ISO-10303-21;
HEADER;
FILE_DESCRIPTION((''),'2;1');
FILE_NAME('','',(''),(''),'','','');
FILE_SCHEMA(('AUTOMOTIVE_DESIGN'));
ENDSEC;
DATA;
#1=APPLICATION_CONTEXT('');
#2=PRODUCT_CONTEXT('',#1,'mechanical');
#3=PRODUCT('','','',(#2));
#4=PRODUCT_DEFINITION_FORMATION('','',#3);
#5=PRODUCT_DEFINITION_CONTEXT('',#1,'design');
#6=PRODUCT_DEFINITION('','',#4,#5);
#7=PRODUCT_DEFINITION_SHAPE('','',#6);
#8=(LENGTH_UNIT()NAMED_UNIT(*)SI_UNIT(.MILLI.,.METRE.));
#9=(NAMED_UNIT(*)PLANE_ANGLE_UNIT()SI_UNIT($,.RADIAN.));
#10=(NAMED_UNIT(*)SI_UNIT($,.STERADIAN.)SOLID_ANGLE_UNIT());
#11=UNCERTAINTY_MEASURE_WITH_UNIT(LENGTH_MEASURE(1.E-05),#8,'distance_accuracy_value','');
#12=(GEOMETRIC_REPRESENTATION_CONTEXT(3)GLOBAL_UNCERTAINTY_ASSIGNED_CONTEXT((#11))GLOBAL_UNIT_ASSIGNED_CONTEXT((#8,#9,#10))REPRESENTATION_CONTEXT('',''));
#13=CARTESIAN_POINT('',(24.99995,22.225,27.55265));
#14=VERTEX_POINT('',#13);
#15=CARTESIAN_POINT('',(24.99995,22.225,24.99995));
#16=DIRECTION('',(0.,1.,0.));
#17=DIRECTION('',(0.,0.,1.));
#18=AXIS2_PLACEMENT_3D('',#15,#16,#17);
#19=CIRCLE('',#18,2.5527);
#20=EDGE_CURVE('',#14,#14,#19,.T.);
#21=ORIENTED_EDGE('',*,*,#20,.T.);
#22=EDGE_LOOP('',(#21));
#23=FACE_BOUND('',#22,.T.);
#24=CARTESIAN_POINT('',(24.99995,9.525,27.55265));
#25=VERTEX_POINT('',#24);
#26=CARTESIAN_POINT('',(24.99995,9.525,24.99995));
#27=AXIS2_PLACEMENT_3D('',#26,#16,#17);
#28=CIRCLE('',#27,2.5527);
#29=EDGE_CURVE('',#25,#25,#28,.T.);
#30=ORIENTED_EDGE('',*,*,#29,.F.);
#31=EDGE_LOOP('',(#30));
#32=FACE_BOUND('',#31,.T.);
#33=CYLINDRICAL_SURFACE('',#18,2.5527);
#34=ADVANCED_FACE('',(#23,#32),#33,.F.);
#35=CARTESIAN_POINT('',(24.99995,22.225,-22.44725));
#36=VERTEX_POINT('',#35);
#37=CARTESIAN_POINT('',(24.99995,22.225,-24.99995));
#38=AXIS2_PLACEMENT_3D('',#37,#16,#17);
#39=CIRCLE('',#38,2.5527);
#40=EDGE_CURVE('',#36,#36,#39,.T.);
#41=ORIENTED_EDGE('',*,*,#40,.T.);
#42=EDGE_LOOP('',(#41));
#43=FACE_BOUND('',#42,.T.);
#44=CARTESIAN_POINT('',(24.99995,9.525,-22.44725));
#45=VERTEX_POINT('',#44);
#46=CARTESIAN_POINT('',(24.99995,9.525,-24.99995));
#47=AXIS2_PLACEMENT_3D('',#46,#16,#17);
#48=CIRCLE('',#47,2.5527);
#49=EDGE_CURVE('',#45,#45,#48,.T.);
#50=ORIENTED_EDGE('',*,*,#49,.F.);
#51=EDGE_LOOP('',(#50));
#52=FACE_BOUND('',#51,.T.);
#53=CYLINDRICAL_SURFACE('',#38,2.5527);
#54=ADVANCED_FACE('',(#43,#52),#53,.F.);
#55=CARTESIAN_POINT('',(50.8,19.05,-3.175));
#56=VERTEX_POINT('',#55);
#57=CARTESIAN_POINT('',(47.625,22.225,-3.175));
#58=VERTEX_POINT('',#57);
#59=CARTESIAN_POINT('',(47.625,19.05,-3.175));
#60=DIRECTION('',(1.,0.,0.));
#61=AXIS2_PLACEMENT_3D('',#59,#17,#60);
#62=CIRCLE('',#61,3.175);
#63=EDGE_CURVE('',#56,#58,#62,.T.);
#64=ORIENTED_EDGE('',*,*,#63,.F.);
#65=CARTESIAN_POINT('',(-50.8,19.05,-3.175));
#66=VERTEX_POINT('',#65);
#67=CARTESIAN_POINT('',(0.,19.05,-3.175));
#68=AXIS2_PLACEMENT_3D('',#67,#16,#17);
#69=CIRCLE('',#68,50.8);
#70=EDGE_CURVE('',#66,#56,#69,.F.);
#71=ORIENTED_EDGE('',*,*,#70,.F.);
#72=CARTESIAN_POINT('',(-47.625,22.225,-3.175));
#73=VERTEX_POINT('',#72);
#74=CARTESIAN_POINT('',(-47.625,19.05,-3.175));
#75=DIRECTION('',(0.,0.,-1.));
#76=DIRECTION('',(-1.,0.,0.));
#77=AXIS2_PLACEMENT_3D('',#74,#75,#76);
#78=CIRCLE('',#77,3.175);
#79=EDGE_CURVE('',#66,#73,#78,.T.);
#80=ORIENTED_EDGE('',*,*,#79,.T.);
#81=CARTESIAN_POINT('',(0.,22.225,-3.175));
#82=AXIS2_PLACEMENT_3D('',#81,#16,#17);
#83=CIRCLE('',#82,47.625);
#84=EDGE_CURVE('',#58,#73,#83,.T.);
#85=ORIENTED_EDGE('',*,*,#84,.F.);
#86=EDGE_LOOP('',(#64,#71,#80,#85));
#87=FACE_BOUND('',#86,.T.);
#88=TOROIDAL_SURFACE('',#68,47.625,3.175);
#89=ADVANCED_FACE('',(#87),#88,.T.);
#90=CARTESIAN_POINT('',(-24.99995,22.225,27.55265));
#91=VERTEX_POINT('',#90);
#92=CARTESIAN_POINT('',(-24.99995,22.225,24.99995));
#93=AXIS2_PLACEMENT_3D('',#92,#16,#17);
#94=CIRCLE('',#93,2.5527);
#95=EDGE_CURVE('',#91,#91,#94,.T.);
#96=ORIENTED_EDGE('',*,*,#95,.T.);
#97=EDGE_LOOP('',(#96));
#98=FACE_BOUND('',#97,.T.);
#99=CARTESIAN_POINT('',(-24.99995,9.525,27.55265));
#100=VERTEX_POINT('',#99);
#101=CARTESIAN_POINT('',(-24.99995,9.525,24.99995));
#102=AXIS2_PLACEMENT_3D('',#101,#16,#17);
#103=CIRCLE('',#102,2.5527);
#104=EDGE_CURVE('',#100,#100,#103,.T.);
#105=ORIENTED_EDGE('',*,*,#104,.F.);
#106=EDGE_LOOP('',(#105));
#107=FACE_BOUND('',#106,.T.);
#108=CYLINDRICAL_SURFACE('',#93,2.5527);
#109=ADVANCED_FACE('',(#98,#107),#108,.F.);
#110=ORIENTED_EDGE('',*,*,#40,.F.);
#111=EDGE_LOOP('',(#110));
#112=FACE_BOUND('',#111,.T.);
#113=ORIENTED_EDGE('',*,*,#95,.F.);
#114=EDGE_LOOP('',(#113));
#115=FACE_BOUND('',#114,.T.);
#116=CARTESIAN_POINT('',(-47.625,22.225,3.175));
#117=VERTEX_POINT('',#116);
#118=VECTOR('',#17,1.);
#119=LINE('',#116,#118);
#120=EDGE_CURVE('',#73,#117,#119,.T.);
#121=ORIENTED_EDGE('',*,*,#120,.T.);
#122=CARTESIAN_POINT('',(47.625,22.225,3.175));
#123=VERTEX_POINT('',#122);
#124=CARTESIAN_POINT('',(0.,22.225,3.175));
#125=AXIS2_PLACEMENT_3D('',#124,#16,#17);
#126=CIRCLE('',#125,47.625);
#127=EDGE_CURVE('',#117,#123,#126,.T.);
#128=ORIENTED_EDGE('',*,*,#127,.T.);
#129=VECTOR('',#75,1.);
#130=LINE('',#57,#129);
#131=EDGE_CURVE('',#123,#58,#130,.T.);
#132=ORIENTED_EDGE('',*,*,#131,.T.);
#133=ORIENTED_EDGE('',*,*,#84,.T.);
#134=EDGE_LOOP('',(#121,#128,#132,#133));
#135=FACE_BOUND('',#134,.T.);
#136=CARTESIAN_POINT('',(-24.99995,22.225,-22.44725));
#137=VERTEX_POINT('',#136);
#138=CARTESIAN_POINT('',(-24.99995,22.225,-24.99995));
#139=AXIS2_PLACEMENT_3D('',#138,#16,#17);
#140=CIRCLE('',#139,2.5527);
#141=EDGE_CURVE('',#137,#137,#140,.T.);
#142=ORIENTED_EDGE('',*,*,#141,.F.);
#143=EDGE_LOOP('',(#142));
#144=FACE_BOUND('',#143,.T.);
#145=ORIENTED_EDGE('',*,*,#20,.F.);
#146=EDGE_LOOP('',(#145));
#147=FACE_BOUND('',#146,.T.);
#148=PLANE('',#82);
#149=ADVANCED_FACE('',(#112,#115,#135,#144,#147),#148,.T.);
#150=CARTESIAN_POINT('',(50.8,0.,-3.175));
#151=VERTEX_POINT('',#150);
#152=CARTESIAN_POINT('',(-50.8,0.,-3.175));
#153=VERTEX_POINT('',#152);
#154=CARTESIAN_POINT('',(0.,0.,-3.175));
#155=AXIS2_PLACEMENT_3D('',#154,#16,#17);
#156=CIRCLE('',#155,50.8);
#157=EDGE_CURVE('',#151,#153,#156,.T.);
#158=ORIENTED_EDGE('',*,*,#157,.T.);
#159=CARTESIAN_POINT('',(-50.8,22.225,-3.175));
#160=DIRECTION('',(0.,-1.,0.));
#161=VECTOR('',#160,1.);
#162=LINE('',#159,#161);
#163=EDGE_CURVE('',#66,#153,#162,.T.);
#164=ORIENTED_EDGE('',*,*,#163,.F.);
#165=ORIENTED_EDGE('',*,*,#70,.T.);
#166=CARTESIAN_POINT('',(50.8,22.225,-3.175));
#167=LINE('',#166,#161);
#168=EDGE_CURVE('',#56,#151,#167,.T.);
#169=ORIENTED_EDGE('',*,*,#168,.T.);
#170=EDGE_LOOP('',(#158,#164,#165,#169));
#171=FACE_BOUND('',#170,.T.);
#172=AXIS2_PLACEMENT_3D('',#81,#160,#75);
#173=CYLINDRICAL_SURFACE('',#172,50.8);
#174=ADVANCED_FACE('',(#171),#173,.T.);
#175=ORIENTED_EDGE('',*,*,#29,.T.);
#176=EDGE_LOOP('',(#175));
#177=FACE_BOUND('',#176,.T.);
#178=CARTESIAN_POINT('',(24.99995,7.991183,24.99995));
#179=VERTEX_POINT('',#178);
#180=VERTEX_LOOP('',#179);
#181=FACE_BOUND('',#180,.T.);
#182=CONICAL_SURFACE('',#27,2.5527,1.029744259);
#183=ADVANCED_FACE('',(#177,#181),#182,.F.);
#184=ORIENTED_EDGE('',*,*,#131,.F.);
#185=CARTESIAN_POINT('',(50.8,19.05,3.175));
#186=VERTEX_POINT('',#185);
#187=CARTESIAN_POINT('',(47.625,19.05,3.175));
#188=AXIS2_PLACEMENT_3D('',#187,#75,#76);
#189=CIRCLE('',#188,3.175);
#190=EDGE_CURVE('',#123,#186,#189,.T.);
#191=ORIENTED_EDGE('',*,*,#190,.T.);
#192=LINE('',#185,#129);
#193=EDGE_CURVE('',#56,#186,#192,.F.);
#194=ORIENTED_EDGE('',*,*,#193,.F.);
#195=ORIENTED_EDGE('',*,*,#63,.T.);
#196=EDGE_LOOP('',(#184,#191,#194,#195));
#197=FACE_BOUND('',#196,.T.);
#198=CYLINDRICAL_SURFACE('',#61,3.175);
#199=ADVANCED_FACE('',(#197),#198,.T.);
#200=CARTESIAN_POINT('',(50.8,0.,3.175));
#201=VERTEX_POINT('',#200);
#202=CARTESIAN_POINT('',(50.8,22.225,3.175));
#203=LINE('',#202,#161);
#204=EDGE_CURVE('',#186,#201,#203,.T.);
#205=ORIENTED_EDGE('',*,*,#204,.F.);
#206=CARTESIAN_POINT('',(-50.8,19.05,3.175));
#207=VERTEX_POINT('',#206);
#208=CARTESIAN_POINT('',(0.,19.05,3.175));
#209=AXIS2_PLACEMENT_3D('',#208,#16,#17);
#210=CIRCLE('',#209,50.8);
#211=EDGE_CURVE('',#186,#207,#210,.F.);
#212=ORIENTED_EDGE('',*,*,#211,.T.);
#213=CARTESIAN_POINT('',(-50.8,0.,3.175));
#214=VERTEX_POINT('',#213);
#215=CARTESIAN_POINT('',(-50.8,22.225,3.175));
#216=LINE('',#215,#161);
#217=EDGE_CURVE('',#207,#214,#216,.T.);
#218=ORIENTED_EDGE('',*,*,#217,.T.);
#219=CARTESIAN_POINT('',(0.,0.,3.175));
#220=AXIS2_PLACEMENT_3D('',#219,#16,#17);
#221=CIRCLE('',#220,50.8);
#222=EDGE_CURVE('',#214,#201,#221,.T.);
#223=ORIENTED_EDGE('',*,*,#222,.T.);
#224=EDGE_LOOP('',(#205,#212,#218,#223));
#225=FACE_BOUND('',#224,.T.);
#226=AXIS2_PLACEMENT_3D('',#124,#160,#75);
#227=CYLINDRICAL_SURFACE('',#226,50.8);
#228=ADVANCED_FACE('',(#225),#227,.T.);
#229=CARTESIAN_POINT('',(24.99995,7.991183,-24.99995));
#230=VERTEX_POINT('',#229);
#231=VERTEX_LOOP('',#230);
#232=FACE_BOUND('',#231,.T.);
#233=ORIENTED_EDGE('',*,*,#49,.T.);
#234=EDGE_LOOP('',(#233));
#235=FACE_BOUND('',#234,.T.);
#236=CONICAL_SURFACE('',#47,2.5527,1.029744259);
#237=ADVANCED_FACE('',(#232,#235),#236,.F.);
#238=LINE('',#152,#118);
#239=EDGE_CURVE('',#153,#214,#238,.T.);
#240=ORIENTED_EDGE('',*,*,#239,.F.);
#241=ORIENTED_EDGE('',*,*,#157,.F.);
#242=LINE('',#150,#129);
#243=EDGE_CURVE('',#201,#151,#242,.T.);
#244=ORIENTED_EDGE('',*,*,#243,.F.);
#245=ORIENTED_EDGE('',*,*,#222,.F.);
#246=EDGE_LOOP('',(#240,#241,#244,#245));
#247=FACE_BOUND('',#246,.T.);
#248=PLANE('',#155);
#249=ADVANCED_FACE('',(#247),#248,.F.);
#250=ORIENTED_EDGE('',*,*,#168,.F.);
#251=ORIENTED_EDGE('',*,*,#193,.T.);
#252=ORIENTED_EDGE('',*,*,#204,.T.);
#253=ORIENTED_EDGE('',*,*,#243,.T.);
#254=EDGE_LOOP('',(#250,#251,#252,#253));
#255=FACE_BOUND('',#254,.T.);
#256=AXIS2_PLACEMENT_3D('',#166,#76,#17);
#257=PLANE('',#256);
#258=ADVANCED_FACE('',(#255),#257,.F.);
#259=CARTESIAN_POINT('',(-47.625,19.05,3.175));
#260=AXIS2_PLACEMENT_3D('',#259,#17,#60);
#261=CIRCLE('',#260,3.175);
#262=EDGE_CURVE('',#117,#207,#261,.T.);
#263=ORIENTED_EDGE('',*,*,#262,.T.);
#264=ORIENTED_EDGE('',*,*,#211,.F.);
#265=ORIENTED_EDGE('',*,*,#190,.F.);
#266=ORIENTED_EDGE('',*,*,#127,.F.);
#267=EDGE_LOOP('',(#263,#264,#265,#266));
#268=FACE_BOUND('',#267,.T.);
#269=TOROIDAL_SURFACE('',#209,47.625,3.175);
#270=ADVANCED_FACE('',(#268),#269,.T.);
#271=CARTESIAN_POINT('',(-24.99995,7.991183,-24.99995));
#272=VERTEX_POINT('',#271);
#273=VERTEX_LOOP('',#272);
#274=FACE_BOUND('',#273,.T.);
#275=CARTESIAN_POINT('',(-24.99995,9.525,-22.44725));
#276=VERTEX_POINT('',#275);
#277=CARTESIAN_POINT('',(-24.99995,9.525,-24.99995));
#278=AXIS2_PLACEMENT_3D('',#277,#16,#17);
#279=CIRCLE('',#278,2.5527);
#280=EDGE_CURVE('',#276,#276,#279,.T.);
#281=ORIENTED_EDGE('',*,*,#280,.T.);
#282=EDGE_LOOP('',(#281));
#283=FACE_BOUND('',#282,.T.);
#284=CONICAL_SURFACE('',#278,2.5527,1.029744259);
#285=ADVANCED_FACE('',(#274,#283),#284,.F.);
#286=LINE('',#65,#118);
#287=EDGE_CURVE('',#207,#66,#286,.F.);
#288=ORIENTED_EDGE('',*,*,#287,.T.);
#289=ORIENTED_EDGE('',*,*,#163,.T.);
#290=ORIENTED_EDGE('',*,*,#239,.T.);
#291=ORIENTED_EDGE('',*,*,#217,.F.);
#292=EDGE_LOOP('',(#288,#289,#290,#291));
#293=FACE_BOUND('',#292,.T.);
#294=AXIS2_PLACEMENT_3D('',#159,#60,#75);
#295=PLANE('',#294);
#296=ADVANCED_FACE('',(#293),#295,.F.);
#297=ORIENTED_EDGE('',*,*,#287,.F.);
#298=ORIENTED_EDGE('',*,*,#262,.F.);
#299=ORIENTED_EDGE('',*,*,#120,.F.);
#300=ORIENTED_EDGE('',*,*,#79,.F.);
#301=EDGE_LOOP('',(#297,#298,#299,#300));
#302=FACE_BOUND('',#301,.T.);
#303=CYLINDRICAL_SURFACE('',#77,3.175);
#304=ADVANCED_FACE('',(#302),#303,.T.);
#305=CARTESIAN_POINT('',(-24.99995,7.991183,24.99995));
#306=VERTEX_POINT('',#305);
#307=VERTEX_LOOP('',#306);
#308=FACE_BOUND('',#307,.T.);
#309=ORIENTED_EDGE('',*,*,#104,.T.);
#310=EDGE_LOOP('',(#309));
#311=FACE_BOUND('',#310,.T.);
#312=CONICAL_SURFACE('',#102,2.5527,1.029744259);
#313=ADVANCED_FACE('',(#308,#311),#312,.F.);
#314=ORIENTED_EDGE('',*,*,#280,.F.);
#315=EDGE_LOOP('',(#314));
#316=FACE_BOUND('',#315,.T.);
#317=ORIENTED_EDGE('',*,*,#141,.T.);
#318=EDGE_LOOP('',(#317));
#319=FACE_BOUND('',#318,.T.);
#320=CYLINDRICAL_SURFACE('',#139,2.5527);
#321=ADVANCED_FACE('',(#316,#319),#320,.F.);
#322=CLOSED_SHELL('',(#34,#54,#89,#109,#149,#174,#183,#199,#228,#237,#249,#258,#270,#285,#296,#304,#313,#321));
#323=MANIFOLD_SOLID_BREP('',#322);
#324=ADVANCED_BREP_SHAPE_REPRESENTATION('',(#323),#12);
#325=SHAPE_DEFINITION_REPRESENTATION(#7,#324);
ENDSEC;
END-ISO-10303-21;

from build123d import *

# Parameters (mm, degrees)
BOSS_EXTRUDE1_DEPTH         = 22.225
F_1_4_20_TAPPED_HOLE1_D     = 5.1054
F_1_4_20_TAPPED_HOLE1_DEPTH = 12.7
F_1_4_20_TAPPED_HOLE1_TIP   = 1.533816902
FILLET1_R                   = 3.175


with BuildPart() as part:
    # Sketch1 → Boss-Extrude1 (new body)
    with BuildSketch(Plane(origin=(0, 0, 0), x_dir=(1, 0, 0), z_dir=(0, 1, 0))):
        with BuildLine():
            Line((50.8, 3.175), (50.8, -3.175))
            ThreePointArc((50.8, -3.175), (0, -53.975), (-50.8, -3.175))
            Line((-50.8, -3.175), (-50.8, 3.175))
            ThreePointArc((-50.8, 3.175), (0, 53.975), (50.8, 3.175))
        make_face()
    extrude(amount=BOSS_EXTRUDE1_DEPTH)

    # 1/4-20 Tapped Hole1
    with Locations(Plane(origin=(0, 22.225, 0), x_dir=(1, 0, 0), z_dir=(0, 1, 0))):
        with Locations((-24.99995, 24.99995), (24.99995, 24.99995), (24.99995, -24.99995), (-24.99995, -24.99995)):
            Hole(F_1_4_20_TAPPED_HOLE1_D / 2, depth=F_1_4_20_TAPPED_HOLE1_DEPTH)
            with Locations((0, 0, -(F_1_4_20_TAPPED_HOLE1_DEPTH + F_1_4_20_TAPPED_HOLE1_TIP / 2))):  # 118° drill point
                Cone(0, F_1_4_20_TAPPED_HOLE1_D / 2, F_1_4_20_TAPPED_HOLE1_TIP, mode=Mode.SUBTRACT)

    # Fillet1
    fillet1_edges = [part.edges().sort_by_distance(p)[0] for p in [
        (0, 22.225, 53.975),
        (50.8, 22.225, 0),
        (0, 22.225, -53.975),
        (-50.8, 22.225, 0),
    ]]
    fillet(fillet1_edges, radius=FILLET1_R)


solid = part.part
